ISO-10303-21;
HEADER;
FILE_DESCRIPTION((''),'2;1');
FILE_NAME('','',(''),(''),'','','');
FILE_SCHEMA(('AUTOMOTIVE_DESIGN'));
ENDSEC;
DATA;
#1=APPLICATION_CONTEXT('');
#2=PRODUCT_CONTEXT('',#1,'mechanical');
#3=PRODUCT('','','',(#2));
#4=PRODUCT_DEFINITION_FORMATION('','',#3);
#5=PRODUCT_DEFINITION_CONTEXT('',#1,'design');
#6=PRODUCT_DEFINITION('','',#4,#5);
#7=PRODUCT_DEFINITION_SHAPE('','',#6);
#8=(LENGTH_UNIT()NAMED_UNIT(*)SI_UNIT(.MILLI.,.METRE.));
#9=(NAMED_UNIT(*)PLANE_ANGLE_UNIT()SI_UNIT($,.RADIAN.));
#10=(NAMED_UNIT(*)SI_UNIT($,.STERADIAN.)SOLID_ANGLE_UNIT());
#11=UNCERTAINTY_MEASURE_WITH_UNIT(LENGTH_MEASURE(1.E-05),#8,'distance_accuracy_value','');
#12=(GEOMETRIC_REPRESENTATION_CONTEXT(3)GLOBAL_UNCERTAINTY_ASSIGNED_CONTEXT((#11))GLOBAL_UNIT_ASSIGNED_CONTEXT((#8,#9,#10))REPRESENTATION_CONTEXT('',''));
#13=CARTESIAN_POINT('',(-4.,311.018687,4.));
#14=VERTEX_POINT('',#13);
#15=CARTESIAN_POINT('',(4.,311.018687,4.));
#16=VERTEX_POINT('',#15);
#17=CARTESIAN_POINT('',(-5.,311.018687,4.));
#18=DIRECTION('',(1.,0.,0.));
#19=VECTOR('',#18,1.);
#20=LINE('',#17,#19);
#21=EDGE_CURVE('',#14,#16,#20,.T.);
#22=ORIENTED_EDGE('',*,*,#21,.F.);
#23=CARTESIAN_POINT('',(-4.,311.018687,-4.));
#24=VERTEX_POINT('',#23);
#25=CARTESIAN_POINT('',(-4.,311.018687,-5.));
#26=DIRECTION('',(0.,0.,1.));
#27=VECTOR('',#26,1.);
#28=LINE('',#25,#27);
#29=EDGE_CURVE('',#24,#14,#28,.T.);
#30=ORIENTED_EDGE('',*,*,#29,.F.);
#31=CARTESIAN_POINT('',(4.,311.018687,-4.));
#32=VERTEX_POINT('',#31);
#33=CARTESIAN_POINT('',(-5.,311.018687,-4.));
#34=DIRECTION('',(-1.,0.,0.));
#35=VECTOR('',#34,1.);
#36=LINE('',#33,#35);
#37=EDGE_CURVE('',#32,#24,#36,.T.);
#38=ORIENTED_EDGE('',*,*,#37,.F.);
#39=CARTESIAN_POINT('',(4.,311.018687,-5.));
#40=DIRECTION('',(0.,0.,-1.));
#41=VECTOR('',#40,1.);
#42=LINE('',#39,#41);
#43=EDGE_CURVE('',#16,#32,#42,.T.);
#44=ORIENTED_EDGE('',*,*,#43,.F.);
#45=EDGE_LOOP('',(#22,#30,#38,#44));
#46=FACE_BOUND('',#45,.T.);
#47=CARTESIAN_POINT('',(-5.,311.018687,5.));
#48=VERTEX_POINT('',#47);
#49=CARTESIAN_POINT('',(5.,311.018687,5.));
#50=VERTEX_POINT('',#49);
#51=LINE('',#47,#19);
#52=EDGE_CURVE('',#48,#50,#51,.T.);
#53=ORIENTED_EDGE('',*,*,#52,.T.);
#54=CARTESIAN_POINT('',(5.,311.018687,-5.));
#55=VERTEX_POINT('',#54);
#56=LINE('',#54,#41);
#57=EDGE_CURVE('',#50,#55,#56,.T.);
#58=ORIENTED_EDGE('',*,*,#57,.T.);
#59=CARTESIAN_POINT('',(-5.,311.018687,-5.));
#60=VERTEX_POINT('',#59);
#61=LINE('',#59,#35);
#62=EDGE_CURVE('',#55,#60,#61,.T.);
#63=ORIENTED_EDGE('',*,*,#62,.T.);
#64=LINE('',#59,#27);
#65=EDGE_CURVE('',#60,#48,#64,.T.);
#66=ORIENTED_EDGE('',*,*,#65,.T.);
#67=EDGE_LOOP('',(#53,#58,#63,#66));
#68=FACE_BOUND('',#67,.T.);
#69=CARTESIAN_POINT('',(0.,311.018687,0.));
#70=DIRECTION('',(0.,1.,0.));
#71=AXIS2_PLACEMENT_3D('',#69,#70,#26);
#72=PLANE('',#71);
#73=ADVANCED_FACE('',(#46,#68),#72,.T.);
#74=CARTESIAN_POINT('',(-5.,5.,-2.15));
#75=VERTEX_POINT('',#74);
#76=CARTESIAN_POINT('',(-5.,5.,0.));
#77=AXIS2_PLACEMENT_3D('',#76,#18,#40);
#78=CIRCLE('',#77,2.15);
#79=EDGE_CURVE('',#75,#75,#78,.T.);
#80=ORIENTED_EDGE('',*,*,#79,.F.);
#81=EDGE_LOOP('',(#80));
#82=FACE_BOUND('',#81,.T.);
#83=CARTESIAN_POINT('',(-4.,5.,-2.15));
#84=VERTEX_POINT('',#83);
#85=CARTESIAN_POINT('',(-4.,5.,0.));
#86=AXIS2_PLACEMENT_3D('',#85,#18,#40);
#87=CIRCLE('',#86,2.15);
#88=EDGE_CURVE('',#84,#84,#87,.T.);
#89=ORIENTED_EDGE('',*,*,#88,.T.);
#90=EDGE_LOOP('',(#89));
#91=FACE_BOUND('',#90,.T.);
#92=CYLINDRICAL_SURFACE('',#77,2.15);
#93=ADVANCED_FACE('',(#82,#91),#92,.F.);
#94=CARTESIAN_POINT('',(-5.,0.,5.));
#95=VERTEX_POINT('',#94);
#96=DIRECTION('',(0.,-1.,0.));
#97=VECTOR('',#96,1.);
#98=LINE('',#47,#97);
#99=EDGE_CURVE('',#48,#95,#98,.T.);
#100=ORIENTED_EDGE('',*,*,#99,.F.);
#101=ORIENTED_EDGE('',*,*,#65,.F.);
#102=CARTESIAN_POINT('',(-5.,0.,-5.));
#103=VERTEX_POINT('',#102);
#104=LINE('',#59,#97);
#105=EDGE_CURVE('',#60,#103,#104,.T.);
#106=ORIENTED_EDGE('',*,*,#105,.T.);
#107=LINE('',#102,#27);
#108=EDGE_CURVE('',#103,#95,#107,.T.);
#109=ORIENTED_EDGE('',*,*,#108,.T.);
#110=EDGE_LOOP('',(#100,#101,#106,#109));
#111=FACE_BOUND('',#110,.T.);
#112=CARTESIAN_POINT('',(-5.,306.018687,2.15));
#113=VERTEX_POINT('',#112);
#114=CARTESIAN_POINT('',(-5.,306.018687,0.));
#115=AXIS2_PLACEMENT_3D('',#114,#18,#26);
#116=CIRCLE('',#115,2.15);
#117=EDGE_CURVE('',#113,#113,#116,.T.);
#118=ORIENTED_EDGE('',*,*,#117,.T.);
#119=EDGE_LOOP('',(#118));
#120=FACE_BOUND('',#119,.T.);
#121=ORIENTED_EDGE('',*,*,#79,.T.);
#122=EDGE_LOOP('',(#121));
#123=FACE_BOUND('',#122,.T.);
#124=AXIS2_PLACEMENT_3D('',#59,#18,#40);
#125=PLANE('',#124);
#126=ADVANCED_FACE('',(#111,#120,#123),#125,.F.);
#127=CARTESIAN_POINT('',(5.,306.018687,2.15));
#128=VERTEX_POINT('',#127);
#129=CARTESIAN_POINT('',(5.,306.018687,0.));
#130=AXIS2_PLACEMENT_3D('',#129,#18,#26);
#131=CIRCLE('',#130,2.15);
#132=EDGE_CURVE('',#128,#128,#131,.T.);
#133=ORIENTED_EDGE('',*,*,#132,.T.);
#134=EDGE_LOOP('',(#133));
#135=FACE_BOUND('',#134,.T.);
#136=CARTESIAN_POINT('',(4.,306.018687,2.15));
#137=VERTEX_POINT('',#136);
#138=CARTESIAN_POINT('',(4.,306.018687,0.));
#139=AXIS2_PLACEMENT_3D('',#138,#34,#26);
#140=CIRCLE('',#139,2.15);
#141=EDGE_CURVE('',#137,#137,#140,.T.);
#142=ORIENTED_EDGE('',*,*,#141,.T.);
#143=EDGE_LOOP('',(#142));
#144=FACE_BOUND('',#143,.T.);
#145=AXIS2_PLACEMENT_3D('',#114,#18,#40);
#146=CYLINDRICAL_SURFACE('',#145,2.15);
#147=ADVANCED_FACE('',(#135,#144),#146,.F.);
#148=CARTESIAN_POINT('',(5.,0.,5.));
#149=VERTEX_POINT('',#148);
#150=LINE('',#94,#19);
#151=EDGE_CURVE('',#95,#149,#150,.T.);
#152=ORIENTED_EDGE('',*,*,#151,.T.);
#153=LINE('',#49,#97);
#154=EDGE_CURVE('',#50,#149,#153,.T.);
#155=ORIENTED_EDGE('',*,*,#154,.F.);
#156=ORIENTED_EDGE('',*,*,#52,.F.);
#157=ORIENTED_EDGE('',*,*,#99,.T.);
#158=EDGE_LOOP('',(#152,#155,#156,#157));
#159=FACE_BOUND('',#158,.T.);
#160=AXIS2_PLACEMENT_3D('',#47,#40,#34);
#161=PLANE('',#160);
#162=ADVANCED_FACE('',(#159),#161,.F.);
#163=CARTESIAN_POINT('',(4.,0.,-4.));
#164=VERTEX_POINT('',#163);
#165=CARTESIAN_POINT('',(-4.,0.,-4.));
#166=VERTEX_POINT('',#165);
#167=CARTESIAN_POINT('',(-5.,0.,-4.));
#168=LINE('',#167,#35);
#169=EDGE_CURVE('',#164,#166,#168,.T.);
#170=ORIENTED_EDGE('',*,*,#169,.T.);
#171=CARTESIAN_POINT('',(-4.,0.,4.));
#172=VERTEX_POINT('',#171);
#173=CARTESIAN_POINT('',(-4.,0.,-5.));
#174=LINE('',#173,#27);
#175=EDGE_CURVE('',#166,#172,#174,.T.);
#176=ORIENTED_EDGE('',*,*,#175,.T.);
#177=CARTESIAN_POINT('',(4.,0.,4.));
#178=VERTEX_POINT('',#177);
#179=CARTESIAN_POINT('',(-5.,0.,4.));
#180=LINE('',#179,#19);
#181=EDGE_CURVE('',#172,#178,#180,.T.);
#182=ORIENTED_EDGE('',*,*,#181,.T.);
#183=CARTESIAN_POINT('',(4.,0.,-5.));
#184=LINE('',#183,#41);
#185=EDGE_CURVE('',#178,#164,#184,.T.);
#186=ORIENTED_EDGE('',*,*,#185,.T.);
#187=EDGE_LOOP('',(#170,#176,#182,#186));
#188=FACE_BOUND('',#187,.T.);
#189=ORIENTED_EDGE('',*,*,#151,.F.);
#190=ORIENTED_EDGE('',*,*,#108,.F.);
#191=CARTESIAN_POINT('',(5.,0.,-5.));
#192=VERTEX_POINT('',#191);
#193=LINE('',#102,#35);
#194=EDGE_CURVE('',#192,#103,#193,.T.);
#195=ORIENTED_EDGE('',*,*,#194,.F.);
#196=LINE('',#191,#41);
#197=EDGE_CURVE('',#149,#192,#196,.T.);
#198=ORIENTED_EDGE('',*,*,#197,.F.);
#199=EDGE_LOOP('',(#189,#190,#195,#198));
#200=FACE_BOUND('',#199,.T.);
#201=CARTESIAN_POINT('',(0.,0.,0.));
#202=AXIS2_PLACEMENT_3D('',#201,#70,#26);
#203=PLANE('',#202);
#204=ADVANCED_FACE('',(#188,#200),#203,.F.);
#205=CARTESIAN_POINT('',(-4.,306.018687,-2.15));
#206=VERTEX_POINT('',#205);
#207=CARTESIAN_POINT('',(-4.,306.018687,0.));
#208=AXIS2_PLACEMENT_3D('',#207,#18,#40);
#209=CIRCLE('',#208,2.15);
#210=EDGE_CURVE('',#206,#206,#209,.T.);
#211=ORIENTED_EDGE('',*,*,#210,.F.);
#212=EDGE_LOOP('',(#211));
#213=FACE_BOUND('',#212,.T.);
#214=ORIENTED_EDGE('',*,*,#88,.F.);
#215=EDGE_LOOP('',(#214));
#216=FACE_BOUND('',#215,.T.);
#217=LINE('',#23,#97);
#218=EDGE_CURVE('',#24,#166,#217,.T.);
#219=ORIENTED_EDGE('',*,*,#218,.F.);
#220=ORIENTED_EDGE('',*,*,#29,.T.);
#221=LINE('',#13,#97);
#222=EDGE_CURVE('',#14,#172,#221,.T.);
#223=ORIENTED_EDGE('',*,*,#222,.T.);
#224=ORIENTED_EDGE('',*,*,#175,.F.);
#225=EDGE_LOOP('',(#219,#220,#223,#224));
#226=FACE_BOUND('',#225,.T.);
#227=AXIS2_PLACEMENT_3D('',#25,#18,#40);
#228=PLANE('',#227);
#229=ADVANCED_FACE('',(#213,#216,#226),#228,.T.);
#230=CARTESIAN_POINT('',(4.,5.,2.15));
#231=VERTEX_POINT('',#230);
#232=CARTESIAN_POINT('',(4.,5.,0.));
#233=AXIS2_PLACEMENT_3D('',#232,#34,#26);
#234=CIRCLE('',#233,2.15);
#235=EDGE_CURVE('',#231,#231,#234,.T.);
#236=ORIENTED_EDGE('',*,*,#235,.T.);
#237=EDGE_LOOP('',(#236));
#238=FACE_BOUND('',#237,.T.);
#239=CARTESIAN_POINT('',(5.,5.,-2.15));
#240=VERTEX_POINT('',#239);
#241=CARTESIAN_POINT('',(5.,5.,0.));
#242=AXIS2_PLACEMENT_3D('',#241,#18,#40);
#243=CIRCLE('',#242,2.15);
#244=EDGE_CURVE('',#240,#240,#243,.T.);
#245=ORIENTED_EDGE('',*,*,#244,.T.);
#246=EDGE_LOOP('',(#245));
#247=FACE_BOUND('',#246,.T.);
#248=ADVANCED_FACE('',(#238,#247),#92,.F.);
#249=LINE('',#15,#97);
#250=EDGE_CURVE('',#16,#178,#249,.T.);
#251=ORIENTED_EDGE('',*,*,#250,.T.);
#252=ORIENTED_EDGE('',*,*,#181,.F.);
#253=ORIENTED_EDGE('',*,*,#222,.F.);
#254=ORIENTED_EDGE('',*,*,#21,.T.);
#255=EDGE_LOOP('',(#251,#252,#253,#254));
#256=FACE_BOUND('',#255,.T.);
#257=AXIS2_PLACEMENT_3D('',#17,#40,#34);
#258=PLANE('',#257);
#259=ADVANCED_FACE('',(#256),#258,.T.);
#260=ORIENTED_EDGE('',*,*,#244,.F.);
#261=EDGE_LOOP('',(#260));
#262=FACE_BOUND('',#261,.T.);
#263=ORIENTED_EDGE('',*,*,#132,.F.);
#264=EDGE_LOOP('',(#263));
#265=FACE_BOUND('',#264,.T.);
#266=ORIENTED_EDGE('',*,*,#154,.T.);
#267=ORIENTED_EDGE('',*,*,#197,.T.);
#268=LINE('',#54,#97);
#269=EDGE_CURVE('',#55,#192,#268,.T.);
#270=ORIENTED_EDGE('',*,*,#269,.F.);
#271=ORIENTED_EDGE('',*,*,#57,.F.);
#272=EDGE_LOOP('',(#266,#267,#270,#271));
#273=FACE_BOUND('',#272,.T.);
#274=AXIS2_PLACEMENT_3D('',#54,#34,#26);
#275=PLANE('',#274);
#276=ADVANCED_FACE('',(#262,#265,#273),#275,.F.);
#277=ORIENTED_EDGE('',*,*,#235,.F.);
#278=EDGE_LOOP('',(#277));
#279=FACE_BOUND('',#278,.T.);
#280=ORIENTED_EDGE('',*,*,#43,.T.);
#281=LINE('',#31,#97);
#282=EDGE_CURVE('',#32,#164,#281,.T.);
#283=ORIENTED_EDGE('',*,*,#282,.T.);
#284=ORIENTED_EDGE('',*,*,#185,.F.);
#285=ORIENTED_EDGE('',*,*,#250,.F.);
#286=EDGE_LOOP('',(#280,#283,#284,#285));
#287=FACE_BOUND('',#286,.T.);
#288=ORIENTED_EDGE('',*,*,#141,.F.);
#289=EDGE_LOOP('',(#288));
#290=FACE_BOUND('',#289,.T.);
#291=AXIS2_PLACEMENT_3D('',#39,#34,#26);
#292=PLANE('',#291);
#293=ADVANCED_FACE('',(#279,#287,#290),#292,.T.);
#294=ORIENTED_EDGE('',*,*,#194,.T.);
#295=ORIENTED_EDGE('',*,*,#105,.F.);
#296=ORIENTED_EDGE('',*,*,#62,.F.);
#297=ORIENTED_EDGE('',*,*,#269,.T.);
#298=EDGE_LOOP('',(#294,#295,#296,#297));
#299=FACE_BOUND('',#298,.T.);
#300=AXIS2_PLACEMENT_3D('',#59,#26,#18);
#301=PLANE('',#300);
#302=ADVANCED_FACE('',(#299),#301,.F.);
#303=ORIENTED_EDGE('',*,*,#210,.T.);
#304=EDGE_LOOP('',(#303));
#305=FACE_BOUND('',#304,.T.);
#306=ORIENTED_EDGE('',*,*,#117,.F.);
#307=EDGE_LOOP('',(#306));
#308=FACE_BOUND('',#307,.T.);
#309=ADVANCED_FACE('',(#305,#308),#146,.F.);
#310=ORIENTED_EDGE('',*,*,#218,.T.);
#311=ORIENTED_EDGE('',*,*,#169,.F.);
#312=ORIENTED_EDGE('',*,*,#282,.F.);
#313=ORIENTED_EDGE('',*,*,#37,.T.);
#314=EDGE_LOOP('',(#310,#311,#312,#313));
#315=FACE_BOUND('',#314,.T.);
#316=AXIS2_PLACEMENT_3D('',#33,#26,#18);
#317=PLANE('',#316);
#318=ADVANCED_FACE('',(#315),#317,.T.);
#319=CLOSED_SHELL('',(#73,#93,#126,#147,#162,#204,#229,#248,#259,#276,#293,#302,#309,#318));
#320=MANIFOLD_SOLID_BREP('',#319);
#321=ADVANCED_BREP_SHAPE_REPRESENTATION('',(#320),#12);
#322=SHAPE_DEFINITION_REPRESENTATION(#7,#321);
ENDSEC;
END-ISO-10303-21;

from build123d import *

# Parameters (mm, degrees)
SKETCH_1_W          = 10
SKETCH_1_H          = 10
SKETCH_1_W_2        = 8
SKETCH_1_H_2        = 8
EXTRUDE_1_DEPTH     = 311.018687128
SKETCH_2_R          = 2.15
CUT_EXTRUDE_1_DEPTH = 312.219574806


with BuildPart() as part:
    # ｽｹｯﾁ1 → 押し出し-薄板1 (new body)
    with BuildSketch(Plane(origin=(0, 0, 0), x_dir=(1, 0, 0), z_dir=(0, 1, 0))):
        Rectangle(SKETCH_1_W, SKETCH_1_H)
        Rectangle(SKETCH_1_W_2, SKETCH_1_H_2, mode=Mode.SUBTRACT)
    extrude(amount=EXTRUDE_1_DEPTH)

    # ｽｹｯﾁ2 → ｶｯﾄ - 押し出し1 (cut, through all)
    with BuildSketch(Plane(origin=(5, 0, 0), x_dir=(0, 0, -1), z_dir=(1, 0, 0))):
        with Locations((0, 5)):
            Circle(SKETCH_2_R)
        with Locations((0, 306.018687128)):
            Circle(SKETCH_2_R)
    extrude(amount=-CUT_EXTRUDE_1_DEPTH, mode=Mode.SUBTRACT)


solid = part.part
